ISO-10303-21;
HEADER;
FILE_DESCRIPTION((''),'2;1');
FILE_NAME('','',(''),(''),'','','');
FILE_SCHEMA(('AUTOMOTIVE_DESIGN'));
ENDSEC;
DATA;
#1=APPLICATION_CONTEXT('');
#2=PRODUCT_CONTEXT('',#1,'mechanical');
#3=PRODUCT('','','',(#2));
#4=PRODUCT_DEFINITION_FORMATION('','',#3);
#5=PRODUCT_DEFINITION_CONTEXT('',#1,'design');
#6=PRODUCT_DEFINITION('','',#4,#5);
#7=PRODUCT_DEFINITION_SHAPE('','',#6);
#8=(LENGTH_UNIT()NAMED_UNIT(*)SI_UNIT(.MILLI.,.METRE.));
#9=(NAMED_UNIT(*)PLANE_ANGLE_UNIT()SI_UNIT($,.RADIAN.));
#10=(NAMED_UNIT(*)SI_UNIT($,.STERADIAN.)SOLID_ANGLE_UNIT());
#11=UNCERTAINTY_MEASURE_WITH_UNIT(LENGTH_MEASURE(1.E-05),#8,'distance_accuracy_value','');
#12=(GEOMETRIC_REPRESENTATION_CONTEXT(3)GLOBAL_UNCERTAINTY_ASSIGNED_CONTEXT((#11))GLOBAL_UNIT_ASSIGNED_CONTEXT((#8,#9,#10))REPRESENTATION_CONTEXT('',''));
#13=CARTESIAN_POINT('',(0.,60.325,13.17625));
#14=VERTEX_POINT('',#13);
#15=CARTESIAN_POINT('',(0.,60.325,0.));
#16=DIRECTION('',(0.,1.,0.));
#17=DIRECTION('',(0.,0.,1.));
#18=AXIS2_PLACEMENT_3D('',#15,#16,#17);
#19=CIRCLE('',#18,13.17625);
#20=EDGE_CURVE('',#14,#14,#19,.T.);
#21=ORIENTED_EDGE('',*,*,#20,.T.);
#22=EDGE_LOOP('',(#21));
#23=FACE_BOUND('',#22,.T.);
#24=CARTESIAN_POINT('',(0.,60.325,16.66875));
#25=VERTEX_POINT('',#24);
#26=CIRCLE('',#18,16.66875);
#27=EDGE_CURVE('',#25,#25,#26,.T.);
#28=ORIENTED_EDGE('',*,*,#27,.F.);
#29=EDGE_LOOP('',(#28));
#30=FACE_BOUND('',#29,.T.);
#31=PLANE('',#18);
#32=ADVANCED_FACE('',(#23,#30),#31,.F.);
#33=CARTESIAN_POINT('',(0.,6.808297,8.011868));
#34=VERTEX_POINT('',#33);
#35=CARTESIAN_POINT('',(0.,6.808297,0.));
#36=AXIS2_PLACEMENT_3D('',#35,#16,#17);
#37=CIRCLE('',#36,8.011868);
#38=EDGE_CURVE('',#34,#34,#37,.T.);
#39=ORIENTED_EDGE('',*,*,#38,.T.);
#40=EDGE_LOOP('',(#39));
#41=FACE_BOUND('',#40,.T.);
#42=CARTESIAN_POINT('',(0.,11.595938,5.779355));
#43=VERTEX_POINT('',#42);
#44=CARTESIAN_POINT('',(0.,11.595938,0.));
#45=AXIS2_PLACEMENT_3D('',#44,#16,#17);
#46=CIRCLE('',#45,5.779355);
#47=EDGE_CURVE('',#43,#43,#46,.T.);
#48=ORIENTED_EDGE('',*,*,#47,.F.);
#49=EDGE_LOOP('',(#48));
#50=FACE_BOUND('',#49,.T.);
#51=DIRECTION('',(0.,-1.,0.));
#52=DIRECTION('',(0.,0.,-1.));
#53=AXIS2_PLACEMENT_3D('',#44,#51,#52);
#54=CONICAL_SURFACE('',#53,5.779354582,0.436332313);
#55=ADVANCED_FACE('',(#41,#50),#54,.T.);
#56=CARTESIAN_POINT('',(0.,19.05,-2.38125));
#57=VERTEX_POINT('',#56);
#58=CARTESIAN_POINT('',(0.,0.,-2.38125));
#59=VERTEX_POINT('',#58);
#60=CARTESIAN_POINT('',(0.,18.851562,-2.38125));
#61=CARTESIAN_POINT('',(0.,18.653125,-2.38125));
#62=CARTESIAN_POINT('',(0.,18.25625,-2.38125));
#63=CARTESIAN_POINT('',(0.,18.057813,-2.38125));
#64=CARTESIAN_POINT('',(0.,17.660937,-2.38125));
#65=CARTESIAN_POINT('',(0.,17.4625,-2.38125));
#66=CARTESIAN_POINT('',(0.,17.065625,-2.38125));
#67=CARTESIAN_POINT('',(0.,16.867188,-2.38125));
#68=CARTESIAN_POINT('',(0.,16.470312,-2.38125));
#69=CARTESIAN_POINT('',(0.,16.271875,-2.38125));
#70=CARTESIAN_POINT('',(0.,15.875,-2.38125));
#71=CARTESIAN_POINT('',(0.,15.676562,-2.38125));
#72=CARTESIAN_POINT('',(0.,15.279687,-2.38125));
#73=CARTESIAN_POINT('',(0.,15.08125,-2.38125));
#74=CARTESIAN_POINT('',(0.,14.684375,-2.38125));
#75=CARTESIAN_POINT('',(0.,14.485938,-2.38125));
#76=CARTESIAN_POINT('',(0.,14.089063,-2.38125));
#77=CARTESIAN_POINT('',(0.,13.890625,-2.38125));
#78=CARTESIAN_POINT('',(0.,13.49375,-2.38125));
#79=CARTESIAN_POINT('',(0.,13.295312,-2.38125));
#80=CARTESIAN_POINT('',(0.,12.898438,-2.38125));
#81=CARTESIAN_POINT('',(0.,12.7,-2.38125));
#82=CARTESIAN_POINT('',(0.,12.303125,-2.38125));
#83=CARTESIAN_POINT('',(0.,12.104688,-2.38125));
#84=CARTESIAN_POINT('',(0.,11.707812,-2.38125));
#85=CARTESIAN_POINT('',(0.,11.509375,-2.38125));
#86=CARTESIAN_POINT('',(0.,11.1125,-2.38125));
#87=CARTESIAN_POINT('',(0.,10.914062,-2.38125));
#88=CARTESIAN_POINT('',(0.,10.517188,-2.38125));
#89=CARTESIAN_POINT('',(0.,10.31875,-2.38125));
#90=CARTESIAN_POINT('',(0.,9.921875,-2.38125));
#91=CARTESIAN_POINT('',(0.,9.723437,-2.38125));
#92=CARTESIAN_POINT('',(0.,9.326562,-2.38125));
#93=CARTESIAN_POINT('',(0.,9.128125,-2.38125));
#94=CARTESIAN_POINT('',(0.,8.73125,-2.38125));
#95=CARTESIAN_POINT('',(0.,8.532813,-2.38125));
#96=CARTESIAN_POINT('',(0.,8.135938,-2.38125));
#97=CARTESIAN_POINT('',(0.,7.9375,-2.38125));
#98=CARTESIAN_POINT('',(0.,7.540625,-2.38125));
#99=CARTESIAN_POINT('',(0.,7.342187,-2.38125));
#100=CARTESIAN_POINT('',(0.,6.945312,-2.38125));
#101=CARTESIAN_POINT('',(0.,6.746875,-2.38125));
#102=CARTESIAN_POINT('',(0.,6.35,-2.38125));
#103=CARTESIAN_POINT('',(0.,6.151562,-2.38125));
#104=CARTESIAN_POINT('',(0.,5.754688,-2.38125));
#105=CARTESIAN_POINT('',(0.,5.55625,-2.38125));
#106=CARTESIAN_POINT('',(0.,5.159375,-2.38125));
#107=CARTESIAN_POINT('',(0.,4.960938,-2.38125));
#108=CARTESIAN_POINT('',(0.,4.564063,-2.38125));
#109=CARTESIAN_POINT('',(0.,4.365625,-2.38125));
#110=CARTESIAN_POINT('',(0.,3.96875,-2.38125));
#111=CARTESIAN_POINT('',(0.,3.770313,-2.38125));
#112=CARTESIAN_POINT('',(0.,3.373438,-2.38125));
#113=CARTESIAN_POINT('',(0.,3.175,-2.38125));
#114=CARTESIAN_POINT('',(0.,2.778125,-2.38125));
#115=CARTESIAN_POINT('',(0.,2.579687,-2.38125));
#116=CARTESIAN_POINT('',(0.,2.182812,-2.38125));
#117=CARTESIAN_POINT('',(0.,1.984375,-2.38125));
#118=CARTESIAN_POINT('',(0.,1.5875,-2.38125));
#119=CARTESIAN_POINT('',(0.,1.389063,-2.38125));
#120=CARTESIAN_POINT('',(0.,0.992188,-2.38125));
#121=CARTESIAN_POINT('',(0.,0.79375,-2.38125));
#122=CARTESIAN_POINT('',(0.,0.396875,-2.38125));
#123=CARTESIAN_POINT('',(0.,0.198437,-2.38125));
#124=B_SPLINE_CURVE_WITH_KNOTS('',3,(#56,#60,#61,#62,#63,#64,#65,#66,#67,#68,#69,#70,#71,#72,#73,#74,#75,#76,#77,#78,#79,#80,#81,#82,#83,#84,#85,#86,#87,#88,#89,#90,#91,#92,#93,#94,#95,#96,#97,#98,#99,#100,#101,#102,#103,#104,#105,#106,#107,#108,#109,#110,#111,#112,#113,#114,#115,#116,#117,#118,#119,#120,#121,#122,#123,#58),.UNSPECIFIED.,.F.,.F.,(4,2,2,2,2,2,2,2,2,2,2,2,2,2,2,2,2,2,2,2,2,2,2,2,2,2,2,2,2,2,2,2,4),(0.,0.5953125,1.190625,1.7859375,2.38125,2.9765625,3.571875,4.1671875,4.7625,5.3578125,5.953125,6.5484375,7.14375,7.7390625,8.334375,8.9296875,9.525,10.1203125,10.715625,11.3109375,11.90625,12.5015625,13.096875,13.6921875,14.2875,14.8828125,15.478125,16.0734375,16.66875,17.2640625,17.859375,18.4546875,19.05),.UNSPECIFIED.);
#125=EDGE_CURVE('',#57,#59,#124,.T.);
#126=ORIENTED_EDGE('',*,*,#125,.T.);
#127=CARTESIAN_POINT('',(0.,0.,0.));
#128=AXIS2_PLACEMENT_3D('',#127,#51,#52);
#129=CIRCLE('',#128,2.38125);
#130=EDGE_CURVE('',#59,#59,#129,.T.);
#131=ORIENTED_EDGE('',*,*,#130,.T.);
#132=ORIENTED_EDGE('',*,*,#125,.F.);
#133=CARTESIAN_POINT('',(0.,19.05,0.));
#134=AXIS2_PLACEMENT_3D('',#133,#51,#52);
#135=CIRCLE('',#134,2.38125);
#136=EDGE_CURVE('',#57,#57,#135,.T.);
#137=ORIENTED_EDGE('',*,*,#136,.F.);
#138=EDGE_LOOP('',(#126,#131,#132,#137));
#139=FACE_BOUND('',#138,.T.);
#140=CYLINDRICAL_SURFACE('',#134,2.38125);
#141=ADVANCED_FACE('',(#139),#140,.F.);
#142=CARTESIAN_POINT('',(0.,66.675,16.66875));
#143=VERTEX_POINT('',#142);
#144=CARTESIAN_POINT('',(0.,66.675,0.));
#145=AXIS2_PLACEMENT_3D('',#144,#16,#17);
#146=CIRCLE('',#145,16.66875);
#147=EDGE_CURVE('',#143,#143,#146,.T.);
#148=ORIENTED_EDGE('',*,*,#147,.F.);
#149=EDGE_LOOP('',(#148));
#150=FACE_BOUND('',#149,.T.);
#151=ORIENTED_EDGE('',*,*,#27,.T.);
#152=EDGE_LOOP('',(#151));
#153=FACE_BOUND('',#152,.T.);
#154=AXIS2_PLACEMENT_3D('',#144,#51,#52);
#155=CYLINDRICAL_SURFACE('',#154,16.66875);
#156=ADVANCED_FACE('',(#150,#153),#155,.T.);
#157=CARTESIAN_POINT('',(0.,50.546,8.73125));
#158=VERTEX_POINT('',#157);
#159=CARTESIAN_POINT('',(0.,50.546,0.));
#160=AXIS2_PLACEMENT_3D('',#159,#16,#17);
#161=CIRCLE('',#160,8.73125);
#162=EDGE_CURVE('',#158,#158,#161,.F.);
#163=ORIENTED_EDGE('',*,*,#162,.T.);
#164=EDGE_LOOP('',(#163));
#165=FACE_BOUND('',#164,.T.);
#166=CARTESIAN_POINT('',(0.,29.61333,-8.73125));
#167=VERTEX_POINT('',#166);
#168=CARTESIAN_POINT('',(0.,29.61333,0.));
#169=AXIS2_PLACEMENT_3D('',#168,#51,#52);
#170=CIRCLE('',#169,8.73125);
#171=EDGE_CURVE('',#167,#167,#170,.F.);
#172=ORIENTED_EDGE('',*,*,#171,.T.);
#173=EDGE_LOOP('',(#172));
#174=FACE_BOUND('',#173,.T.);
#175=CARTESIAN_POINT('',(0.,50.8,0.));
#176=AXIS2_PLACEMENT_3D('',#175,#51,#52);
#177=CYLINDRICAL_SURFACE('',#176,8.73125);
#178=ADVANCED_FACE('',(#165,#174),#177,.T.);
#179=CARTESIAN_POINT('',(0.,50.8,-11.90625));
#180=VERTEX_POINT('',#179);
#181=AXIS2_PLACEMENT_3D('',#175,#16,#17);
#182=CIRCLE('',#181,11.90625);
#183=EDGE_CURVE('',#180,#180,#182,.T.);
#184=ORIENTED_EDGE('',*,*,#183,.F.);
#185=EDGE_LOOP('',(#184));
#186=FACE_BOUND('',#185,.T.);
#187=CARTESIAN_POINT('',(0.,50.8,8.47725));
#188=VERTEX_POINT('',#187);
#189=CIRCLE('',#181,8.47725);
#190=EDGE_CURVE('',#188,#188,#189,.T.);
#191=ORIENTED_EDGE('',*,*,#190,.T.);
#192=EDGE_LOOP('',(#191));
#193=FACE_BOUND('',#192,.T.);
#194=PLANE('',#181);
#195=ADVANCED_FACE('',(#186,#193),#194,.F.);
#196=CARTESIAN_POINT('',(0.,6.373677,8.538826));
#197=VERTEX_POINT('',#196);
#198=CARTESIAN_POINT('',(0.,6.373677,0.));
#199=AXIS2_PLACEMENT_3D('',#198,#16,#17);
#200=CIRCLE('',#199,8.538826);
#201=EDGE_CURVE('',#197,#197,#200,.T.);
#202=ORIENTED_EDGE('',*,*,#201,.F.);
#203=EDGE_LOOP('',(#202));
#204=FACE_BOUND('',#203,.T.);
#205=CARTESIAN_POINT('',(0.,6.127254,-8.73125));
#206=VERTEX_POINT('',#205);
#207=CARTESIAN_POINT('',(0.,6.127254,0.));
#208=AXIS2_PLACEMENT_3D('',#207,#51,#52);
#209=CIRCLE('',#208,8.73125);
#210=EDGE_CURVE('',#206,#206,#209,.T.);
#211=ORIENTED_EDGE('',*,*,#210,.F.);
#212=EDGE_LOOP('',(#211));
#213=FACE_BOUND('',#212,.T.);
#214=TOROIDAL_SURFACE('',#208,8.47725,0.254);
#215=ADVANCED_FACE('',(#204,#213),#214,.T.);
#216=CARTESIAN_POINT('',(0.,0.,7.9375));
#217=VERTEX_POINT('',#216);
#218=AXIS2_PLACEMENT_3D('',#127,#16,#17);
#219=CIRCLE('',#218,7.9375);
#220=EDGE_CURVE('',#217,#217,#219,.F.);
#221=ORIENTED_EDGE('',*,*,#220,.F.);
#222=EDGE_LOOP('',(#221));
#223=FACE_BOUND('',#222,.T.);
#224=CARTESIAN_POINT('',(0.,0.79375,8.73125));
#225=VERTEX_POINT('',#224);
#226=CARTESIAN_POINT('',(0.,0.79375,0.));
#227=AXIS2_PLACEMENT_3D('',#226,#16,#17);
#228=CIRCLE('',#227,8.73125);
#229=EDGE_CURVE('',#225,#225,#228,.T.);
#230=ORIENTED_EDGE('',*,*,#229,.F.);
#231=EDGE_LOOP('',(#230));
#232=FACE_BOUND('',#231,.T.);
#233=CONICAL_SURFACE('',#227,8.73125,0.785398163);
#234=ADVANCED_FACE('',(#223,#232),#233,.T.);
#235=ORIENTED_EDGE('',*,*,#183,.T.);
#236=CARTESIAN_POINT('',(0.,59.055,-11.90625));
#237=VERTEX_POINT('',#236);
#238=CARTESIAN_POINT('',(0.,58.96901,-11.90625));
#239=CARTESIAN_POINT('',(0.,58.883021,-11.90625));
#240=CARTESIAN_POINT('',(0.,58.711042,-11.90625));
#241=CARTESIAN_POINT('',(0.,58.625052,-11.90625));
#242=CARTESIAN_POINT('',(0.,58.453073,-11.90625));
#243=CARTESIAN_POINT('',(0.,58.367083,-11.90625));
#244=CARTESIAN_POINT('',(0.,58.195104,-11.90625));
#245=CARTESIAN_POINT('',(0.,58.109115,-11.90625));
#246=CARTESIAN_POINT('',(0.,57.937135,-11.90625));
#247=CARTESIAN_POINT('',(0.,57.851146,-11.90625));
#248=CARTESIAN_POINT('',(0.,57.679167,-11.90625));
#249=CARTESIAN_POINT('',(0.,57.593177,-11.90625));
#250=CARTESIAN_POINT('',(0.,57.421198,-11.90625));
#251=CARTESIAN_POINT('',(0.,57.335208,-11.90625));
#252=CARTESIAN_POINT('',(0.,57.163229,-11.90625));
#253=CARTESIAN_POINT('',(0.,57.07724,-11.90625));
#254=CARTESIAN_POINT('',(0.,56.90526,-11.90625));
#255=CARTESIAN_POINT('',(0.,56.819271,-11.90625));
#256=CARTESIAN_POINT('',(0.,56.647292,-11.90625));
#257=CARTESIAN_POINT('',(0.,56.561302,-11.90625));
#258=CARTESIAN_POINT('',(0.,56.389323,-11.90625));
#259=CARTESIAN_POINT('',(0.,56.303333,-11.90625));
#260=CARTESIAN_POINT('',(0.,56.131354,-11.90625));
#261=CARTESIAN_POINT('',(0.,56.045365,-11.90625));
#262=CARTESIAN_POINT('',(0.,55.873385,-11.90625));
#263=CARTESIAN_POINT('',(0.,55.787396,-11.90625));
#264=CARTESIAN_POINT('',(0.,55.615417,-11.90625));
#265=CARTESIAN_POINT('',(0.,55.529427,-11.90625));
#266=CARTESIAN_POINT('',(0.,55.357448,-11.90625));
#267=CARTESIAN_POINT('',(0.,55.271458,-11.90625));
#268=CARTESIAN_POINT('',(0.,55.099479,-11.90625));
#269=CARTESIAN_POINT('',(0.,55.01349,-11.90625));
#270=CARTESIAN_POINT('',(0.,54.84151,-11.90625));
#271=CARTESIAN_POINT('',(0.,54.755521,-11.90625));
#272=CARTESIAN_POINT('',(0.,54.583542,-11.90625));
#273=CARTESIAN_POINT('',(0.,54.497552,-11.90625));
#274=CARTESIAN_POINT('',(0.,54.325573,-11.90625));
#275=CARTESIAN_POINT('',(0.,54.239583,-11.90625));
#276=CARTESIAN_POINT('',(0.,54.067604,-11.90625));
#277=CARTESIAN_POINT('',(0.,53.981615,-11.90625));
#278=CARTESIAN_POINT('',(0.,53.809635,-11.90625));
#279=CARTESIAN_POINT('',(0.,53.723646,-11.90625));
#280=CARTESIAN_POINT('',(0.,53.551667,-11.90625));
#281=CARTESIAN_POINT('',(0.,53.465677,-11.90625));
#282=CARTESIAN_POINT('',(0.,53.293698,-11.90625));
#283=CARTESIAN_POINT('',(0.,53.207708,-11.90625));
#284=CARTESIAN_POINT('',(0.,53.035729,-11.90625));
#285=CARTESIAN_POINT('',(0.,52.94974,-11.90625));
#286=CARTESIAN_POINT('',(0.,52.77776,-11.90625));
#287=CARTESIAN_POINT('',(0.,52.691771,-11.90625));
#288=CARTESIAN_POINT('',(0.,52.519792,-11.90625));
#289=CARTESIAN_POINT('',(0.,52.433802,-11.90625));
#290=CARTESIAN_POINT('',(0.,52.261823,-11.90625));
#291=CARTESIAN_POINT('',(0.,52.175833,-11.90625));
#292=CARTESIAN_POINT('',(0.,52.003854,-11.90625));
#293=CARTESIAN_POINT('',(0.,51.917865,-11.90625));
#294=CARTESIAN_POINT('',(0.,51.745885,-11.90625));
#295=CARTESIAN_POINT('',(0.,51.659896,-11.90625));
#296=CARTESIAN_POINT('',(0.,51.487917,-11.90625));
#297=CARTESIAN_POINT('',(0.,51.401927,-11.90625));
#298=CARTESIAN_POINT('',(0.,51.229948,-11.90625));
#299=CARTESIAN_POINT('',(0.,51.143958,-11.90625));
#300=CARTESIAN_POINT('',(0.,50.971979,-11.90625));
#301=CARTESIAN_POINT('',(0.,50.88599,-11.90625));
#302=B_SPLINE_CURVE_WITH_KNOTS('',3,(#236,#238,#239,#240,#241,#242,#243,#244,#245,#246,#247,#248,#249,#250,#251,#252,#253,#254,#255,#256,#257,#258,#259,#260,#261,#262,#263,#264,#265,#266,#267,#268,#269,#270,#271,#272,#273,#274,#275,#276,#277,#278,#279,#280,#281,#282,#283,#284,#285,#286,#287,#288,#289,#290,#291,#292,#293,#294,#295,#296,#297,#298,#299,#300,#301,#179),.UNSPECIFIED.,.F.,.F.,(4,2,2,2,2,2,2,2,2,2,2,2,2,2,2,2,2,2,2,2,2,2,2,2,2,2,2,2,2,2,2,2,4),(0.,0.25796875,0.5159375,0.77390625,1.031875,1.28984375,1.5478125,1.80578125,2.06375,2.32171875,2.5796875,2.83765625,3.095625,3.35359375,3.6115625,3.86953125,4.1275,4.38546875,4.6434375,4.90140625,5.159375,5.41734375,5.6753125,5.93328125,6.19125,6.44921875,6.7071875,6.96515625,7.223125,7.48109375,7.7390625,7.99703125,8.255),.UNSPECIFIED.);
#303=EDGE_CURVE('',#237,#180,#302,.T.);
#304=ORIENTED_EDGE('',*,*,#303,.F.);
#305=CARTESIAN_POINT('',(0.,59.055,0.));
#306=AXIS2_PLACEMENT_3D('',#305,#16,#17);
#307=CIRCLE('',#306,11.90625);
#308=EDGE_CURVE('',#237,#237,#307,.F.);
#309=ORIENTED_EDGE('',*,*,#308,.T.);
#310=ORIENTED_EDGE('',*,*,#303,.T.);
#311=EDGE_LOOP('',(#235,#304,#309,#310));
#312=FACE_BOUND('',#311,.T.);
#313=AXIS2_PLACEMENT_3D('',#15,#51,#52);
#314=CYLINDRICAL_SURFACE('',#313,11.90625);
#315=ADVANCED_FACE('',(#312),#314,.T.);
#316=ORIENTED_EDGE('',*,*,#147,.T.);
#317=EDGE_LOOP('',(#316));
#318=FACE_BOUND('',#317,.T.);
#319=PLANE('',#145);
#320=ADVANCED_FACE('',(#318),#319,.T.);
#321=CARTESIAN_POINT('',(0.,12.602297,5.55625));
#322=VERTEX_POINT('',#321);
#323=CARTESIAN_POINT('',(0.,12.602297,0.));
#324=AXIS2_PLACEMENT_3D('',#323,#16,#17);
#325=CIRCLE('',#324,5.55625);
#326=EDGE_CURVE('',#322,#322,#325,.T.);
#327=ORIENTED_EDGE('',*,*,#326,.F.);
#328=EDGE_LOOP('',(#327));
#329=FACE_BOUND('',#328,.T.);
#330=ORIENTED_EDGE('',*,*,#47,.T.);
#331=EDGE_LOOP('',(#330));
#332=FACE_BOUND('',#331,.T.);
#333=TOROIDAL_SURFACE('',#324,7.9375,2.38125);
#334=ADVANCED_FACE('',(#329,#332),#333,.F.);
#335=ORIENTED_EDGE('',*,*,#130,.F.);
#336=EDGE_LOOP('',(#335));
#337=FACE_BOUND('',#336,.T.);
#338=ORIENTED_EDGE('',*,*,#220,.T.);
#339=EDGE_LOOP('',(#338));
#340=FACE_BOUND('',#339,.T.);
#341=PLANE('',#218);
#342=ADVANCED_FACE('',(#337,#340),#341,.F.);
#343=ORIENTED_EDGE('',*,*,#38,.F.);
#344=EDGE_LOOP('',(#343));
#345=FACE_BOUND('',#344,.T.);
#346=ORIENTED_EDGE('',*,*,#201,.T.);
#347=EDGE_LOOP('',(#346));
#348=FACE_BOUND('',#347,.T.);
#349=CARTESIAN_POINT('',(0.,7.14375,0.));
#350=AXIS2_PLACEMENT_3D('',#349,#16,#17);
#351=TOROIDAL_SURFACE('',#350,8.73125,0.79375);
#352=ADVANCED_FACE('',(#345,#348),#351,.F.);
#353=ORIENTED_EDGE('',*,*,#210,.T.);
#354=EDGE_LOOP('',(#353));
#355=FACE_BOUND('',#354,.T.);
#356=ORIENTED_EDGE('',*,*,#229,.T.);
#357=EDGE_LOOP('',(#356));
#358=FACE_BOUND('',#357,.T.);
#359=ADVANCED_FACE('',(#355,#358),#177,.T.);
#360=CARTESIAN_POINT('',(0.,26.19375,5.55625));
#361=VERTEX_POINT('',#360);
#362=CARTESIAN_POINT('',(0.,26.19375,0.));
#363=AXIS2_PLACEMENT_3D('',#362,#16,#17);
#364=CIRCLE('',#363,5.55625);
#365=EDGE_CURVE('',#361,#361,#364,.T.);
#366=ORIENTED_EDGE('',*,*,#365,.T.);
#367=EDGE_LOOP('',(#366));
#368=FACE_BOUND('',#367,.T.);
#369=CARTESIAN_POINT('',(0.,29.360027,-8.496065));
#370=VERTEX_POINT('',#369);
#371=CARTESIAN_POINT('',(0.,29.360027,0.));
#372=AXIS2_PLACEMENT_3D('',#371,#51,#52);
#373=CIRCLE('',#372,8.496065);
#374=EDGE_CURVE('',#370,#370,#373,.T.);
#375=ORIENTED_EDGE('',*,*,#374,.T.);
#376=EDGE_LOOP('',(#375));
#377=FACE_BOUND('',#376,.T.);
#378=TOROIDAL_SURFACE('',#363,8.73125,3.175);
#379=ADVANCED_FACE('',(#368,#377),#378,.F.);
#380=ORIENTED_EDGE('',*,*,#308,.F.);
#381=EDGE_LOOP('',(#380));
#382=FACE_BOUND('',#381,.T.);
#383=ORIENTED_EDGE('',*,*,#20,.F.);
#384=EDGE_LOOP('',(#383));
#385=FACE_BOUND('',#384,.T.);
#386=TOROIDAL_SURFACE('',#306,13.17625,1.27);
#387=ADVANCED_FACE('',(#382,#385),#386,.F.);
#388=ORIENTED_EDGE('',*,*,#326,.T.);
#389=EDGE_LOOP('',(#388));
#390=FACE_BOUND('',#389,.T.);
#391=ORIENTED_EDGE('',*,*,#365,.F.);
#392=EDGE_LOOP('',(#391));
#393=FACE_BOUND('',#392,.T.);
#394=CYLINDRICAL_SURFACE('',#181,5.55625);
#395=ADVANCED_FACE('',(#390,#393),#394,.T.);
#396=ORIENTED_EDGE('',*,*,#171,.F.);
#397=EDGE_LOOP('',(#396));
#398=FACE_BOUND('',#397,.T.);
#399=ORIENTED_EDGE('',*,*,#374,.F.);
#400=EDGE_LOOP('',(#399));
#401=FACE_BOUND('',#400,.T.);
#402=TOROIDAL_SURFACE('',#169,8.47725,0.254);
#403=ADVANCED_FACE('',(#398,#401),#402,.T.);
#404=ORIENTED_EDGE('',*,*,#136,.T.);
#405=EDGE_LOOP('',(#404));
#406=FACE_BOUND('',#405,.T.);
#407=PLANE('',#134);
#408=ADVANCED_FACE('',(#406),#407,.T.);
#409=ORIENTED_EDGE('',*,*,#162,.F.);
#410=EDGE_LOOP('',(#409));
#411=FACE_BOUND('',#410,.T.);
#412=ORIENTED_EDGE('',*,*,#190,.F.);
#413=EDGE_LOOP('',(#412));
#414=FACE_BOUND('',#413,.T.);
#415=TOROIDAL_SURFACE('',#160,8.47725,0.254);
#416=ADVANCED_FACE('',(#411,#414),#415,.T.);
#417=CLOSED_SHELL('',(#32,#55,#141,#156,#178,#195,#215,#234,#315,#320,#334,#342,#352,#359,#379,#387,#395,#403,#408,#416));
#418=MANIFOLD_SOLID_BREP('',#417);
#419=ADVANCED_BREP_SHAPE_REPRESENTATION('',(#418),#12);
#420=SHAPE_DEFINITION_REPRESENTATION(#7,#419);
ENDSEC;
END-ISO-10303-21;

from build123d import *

# Parameters (mm, degrees)
SKETCH1_R               = 8.73125
MAIN_DEPTH              = 50.8
CHAMFER1_SIZE           = 0.79375
FILLET1_R               = 0.254
SKETCH6_R               = 11.90625
SPRING_STABILIZER_DEPTH = 9.525
SKETCH3_R               = 16.66875
TOP_CAP_DEPTH           = 6.35
FILLET2_R               = 1.27
SKETCH7_R               = 2.38125
CUT_EXTRUDE1_DEPTH      = 19.05


with BuildPart() as part:
    # Sketch1 → main (new body)
    with BuildSketch(Plane(origin=(0, 0, 0), x_dir=(1, 0, 0), z_dir=(0, 1, 0))):
        with Locations(Location((0, 0, 0), (0, 0, 270))):
            Circle(SKETCH1_R)
    extrude(amount=MAIN_DEPTH)

    # Chamfer1
    chamfer1_edges = [part.edges().sort_by_distance(p)[0] for p in [
        (0, 0, -8.73125),
    ]]
    chamfer(chamfer1_edges, length=CHAMFER1_SIZE)

    # Sketch2 → ball_channel (revolve, cut)
    with BuildSketch(Plane(origin=(0, 0, 0), x_dir=(0, 0, -1), z_dir=(1, 0, 0))):
        with BuildLine():
            Line((-5.779354582, 11.595937646), (-8.011868194, 6.808296755))
            ThreePointArc((-8.011868194, 6.808296755), (-8.304768436, 6.47430804), (-8.73125, 6.35))
            Line((-8.73125, 6.35), (-8.73125, 29.36875))
            ThreePointArc((-8.73125, 29.36875), (-6.48618597, 28.43881403), (-5.55625, 26.19375))
            Line((-5.55625, 26.19375), (-5.55625, 12.602297381))
            ThreePointArc((-5.55625, 12.602297381), (-5.612695133, 12.086900551), (-5.779354582, 11.595937646))
        make_face()
    revolve(axis=Axis((0, 50.8, 0), (0, -1, 0)), mode=Mode.SUBTRACT)

    # Fillet1
    fillet1_edges = [part.edges().sort_by_distance(p)[0] for p in [
        (0, 6.35, -8.73125),
        (0, 29.36875, -8.73125),
        (0, 50.8, -8.73125),
    ]]
    fillet(fillet1_edges, radius=FILLET1_R)

    # Sketch6 → spring_stabilizer (add)
    with BuildSketch(Plane(origin=(0, 50.8, 0), x_dir=(1, 0, 0), z_dir=(0, 1, 0))):
        with Locations(Location((0, 0, 0), (0, 0, 90))):
            Circle(SKETCH6_R)
    extrude(amount=SPRING_STABILIZER_DEPTH)

    # Sketch3 → top_cap (add)
    with BuildSketch(Plane(origin=(0, 60.325, 0), x_dir=(1, 0, 0), z_dir=(0, 1, 0))):
        with Locations(Location((0, 0, 0), (0, 0, 270))):
            Circle(SKETCH3_R)
    extrude(amount=TOP_CAP_DEPTH)

    # Fillet2
    fillet2_edges = [part.edges().sort_by_distance(p)[0] for p in [
        (0, 60.325, 11.90625),
    ]]
    fillet(fillet2_edges, radius=FILLET2_R)

    # Sketch7 → Cut-Extrude1 (cut)
    with BuildSketch(Plane.XZ):
        with Locations(Location((0, 0, 0), (0, 0, 270))):
            Circle(SKETCH7_R)
    extrude(amount=-CUT_EXTRUDE1_DEPTH, mode=Mode.SUBTRACT)


solid = part.part
